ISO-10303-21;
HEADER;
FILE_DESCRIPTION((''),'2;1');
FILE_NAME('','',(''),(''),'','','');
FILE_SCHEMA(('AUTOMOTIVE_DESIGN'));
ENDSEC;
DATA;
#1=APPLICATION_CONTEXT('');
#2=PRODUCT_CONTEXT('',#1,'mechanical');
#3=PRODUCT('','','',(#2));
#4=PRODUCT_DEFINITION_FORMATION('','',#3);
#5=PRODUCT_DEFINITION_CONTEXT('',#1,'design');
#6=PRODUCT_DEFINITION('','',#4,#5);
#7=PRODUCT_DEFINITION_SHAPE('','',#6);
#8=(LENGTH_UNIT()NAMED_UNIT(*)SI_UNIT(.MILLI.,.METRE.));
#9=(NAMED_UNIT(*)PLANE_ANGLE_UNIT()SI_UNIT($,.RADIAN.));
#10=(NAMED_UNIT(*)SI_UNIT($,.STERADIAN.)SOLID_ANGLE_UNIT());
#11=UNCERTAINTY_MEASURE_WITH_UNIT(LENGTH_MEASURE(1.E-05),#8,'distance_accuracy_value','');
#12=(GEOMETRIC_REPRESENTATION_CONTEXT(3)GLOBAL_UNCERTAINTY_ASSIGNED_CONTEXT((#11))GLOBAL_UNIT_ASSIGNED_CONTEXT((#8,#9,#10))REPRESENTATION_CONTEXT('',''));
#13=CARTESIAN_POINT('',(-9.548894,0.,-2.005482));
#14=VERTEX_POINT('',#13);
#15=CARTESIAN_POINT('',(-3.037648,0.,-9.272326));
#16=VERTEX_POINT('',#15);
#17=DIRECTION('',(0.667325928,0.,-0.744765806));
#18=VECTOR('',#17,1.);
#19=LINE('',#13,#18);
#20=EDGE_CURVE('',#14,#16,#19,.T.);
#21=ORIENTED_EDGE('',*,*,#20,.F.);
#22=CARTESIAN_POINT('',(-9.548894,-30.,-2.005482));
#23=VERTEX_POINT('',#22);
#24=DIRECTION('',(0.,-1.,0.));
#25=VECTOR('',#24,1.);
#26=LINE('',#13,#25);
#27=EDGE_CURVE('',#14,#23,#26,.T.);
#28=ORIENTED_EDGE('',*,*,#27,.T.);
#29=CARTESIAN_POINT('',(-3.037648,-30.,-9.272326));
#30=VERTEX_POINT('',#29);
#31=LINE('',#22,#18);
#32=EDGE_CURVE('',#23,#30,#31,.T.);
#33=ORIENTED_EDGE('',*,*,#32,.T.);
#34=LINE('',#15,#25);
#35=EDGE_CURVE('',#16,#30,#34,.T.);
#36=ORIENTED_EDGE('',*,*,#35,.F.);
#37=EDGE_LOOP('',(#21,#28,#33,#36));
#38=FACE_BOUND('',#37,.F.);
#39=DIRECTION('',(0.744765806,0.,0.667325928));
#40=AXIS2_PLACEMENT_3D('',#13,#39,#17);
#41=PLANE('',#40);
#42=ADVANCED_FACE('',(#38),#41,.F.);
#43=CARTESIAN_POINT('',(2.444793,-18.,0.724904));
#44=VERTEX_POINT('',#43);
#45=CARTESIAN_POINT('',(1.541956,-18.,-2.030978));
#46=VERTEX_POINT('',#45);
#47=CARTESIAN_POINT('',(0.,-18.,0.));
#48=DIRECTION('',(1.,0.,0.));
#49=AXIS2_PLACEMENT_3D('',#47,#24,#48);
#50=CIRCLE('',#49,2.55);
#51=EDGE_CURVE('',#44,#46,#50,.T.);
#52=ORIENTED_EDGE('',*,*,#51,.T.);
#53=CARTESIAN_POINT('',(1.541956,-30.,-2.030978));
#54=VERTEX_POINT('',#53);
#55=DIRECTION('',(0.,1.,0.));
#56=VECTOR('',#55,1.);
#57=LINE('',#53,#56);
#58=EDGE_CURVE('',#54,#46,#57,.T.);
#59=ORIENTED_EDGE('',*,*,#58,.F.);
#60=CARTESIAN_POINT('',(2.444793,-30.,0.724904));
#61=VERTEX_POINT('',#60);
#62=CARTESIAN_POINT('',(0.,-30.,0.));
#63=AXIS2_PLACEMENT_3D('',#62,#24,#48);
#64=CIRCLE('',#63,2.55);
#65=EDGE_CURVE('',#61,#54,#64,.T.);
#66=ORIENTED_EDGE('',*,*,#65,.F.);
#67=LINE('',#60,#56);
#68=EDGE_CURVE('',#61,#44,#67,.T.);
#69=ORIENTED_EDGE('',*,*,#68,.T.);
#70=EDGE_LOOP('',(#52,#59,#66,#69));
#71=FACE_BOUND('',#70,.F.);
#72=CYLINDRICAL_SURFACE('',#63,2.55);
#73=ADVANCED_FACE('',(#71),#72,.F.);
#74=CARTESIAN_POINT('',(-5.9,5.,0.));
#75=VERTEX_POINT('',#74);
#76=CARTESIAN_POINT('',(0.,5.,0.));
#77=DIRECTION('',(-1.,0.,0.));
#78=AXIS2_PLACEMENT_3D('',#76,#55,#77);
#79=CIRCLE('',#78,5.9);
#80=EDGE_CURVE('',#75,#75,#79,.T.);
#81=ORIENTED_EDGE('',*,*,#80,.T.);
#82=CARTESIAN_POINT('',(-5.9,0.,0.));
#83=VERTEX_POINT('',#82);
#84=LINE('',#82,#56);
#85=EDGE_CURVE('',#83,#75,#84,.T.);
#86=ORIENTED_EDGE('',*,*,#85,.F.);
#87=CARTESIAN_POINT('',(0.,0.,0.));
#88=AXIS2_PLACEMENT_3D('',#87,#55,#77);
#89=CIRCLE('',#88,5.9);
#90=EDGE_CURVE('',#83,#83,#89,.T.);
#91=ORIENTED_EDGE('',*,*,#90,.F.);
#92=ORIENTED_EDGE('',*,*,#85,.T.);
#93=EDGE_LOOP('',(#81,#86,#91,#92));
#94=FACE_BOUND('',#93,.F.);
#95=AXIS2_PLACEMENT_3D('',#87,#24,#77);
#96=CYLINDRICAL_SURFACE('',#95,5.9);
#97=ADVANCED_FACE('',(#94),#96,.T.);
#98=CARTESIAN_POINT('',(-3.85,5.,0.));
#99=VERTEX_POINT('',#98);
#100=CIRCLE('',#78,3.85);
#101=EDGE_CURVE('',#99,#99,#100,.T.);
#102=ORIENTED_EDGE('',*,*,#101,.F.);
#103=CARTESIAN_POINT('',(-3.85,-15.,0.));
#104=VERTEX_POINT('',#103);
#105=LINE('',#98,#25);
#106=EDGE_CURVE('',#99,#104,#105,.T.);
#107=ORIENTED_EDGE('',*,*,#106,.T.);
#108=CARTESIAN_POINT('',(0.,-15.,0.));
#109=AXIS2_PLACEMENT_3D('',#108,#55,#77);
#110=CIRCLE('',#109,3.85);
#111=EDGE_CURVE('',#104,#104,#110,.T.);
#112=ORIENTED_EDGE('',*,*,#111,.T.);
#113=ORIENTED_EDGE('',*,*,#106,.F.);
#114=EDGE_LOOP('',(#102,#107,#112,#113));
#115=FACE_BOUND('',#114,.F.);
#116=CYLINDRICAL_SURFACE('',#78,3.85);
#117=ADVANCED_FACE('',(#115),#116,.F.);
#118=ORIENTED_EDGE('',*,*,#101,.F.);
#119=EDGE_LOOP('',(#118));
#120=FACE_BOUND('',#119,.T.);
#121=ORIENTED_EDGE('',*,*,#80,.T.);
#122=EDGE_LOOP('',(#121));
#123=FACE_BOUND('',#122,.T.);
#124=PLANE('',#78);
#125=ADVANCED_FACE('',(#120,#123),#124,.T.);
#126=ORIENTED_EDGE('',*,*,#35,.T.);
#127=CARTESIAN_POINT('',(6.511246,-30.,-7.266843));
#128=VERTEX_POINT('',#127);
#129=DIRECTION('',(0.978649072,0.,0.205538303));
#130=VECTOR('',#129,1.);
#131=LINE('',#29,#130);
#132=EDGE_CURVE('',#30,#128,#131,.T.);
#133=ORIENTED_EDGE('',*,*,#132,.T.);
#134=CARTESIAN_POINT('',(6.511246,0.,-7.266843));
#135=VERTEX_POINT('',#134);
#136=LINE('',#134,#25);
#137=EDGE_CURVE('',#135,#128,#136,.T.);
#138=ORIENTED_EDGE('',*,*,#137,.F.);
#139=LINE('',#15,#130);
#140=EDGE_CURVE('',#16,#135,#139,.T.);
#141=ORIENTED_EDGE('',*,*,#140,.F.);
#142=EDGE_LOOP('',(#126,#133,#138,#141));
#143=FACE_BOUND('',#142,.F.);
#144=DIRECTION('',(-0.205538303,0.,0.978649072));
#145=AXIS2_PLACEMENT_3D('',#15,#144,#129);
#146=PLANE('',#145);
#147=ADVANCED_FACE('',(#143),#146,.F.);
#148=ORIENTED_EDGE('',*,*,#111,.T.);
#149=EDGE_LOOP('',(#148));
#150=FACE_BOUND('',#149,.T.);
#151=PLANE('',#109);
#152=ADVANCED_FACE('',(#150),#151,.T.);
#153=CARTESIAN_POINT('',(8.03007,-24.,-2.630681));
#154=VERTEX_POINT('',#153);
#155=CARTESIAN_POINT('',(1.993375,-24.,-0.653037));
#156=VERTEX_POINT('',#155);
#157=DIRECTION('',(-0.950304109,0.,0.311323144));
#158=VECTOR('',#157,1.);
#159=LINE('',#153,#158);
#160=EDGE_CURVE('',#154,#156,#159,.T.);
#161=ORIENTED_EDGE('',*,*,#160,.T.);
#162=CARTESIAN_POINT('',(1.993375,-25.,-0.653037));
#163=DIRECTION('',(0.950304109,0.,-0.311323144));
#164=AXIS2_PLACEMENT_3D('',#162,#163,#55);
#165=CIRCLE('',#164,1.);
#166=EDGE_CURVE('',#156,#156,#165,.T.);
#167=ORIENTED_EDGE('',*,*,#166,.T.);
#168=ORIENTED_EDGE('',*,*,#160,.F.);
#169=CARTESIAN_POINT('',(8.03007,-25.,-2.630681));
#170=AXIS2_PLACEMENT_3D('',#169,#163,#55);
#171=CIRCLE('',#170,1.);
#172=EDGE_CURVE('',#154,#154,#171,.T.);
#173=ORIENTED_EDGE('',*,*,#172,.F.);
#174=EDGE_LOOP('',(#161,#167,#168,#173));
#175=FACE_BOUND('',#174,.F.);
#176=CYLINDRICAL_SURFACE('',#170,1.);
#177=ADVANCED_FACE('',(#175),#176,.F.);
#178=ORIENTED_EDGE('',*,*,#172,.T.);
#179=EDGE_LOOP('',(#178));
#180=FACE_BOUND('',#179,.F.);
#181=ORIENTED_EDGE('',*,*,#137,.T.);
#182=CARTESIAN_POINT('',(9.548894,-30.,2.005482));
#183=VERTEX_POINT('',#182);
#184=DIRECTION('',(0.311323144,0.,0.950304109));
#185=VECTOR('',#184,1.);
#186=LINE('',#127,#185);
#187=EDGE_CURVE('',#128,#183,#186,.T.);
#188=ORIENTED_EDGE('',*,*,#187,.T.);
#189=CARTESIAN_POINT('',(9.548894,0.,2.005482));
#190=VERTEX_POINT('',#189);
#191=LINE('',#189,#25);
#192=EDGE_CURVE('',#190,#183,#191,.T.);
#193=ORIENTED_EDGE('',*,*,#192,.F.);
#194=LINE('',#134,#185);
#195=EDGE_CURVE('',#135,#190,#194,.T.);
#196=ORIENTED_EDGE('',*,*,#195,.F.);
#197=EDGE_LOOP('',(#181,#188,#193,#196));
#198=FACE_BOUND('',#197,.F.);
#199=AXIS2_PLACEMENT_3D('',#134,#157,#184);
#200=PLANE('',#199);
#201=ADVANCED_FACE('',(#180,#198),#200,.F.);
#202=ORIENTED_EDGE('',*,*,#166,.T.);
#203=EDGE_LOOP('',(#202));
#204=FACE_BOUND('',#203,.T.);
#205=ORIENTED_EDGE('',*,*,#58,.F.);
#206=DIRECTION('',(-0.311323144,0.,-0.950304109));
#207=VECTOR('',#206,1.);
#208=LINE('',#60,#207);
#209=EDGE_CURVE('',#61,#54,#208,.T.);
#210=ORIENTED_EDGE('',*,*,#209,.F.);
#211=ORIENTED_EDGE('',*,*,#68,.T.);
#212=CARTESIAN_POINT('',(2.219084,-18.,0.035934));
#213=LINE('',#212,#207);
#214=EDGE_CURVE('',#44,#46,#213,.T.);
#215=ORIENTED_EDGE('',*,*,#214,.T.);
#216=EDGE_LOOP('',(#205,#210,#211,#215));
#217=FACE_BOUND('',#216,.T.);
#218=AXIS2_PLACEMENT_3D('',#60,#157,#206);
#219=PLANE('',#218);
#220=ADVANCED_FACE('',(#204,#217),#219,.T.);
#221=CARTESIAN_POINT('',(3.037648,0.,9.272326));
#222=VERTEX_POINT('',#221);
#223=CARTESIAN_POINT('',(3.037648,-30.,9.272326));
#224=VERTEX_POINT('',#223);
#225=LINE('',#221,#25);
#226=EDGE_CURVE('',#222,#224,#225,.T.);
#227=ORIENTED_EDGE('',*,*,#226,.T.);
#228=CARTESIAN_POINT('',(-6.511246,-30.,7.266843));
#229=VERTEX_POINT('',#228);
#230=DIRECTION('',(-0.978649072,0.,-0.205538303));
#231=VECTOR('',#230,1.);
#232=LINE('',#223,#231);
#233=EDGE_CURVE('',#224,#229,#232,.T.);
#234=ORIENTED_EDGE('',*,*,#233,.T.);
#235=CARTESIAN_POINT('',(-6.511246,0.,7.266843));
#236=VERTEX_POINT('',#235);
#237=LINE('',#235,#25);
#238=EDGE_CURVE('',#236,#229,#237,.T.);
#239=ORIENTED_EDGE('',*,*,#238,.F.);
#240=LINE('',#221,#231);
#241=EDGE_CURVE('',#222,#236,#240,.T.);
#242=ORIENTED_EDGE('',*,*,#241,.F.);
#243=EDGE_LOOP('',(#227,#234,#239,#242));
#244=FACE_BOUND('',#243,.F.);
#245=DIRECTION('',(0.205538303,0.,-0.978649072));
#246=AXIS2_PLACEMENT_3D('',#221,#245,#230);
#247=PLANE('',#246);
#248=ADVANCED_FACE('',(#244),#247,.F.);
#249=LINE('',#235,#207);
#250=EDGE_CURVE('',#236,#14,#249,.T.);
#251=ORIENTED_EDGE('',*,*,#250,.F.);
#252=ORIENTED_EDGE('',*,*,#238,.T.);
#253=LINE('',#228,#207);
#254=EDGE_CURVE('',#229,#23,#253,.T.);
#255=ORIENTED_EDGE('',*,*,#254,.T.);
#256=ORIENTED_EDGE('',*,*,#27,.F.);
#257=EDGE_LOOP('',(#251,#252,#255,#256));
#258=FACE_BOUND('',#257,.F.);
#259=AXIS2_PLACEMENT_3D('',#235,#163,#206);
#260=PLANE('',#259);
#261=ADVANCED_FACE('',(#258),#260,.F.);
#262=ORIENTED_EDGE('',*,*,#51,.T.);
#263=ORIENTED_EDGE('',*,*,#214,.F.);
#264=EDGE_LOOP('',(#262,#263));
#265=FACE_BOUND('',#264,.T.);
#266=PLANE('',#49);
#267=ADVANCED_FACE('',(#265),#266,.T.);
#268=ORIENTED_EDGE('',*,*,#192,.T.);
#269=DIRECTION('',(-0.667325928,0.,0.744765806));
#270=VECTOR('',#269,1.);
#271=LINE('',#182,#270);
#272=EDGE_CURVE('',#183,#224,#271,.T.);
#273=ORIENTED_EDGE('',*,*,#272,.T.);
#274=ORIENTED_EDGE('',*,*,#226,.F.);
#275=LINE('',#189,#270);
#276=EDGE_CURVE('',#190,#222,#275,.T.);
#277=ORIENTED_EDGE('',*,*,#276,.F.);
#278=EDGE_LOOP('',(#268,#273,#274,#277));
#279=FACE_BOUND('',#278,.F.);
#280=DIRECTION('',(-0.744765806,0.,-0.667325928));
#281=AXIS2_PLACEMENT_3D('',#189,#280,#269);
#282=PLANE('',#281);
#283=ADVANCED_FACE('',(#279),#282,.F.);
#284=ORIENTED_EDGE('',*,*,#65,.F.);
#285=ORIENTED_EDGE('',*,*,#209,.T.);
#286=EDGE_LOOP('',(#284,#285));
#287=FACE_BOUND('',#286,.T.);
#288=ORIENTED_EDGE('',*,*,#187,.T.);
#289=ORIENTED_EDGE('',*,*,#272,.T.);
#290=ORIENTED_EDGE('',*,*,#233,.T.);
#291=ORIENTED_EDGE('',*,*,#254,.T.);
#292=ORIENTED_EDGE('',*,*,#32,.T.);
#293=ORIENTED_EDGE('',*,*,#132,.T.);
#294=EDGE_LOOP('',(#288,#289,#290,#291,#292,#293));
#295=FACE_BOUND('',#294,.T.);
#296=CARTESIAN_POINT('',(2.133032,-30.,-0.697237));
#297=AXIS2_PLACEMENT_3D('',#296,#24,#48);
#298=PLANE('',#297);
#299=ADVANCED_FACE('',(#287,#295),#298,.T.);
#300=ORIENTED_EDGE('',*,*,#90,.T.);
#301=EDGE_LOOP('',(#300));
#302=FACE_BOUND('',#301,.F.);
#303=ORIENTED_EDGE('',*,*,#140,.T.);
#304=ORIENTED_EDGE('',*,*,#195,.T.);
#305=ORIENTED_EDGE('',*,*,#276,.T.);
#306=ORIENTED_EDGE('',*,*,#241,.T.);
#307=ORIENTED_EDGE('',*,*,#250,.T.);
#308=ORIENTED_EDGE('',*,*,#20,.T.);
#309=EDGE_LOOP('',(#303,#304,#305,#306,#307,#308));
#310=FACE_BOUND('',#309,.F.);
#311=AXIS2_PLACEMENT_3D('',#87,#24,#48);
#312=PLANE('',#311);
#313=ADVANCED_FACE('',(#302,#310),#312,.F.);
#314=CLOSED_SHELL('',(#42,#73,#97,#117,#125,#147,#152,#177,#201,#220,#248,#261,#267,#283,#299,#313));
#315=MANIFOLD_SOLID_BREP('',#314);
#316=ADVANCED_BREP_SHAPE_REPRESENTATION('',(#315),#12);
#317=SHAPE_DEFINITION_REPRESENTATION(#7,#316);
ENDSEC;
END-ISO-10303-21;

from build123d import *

# Parameters (mm, degrees)
F1_DEPTH  = 30
F2_R      = 5.9
F3_DEPTH  = 5
F4_R      = 3.85
F5_DEPTH  = 20
F6_R      = 2.55
F7_DEPTH  = 12
F9_DEPTH  = 15
F10_R     = 1
F11_DEPTH = 6.3523823037


with BuildPart() as f1:
    # F0 (on Front) → F1 (new body)
    with BuildSketch(Plane.XZ):
        Polygon((6.5112455915, -7.2668434812), (9.5488938558, 2.0054823519), (3.0376482643, 9.2723258331), (-6.5112455915, 7.2668434812), (-9.5488938558, -2.0054823519), (-3.0376482643, -9.2723258331), align=None)
    extrude(amount=F1_DEPTH)

    # F2 (on face) → F3 (join)
    with BuildSketch(Plane(origin=(0, 0, 0), x_dir=(-1, 0, 0), z_dir=(0, 1, 0))):
        Circle(F2_R)
    extrude(amount=F3_DEPTH)

    # F4 (on face) → F5 (cut)
    with BuildSketch(Plane(origin=(0, 5, 0), x_dir=(-1, 0, 0), z_dir=(0, 1, 0))):
        Circle(F4_R)
    extrude(amount=-F5_DEPTH, mode=Mode.SUBTRACT)

    # F6 (on face) → F7 (cut)
    with BuildSketch(Plane.XZ.offset(30)):
        Circle(F6_R)
    extrude(amount=-F7_DEPTH, mode=Mode.SUBTRACT)

    # F8 (on face) → F9 (join, through all)
    with BuildSketch(Plane.XZ.offset(30)):
        with BuildLine():
            Line((2.444793275, 0.7249040229), (1.5419561582, -2.0309778941))
            ThreePointArc((1.5419561582, -2.0309778941), (2.2841287402, -1.1336912712), (2.55, 0))
            ThreePointArc((2.55, 0), (2.5235612585, 0.3662493336), (2.444793275, 0.7249040229))
        make_face()
    extrude(amount=-F9_DEPTH)

    # F10 (on face) → F11 (cut, through all)
    with BuildSketch(Plane(origin=(8.0300697237, 0, -2.6306805646), x_dir=(0, 1, 0), z_dir=(0.9503041093, 0, -0.3113231437))):
        with Locations((-25, 0)):
            Circle(F10_R)
    extrude(amount=-F11_DEPTH, mode=Mode.SUBTRACT)


solid = f1.part
